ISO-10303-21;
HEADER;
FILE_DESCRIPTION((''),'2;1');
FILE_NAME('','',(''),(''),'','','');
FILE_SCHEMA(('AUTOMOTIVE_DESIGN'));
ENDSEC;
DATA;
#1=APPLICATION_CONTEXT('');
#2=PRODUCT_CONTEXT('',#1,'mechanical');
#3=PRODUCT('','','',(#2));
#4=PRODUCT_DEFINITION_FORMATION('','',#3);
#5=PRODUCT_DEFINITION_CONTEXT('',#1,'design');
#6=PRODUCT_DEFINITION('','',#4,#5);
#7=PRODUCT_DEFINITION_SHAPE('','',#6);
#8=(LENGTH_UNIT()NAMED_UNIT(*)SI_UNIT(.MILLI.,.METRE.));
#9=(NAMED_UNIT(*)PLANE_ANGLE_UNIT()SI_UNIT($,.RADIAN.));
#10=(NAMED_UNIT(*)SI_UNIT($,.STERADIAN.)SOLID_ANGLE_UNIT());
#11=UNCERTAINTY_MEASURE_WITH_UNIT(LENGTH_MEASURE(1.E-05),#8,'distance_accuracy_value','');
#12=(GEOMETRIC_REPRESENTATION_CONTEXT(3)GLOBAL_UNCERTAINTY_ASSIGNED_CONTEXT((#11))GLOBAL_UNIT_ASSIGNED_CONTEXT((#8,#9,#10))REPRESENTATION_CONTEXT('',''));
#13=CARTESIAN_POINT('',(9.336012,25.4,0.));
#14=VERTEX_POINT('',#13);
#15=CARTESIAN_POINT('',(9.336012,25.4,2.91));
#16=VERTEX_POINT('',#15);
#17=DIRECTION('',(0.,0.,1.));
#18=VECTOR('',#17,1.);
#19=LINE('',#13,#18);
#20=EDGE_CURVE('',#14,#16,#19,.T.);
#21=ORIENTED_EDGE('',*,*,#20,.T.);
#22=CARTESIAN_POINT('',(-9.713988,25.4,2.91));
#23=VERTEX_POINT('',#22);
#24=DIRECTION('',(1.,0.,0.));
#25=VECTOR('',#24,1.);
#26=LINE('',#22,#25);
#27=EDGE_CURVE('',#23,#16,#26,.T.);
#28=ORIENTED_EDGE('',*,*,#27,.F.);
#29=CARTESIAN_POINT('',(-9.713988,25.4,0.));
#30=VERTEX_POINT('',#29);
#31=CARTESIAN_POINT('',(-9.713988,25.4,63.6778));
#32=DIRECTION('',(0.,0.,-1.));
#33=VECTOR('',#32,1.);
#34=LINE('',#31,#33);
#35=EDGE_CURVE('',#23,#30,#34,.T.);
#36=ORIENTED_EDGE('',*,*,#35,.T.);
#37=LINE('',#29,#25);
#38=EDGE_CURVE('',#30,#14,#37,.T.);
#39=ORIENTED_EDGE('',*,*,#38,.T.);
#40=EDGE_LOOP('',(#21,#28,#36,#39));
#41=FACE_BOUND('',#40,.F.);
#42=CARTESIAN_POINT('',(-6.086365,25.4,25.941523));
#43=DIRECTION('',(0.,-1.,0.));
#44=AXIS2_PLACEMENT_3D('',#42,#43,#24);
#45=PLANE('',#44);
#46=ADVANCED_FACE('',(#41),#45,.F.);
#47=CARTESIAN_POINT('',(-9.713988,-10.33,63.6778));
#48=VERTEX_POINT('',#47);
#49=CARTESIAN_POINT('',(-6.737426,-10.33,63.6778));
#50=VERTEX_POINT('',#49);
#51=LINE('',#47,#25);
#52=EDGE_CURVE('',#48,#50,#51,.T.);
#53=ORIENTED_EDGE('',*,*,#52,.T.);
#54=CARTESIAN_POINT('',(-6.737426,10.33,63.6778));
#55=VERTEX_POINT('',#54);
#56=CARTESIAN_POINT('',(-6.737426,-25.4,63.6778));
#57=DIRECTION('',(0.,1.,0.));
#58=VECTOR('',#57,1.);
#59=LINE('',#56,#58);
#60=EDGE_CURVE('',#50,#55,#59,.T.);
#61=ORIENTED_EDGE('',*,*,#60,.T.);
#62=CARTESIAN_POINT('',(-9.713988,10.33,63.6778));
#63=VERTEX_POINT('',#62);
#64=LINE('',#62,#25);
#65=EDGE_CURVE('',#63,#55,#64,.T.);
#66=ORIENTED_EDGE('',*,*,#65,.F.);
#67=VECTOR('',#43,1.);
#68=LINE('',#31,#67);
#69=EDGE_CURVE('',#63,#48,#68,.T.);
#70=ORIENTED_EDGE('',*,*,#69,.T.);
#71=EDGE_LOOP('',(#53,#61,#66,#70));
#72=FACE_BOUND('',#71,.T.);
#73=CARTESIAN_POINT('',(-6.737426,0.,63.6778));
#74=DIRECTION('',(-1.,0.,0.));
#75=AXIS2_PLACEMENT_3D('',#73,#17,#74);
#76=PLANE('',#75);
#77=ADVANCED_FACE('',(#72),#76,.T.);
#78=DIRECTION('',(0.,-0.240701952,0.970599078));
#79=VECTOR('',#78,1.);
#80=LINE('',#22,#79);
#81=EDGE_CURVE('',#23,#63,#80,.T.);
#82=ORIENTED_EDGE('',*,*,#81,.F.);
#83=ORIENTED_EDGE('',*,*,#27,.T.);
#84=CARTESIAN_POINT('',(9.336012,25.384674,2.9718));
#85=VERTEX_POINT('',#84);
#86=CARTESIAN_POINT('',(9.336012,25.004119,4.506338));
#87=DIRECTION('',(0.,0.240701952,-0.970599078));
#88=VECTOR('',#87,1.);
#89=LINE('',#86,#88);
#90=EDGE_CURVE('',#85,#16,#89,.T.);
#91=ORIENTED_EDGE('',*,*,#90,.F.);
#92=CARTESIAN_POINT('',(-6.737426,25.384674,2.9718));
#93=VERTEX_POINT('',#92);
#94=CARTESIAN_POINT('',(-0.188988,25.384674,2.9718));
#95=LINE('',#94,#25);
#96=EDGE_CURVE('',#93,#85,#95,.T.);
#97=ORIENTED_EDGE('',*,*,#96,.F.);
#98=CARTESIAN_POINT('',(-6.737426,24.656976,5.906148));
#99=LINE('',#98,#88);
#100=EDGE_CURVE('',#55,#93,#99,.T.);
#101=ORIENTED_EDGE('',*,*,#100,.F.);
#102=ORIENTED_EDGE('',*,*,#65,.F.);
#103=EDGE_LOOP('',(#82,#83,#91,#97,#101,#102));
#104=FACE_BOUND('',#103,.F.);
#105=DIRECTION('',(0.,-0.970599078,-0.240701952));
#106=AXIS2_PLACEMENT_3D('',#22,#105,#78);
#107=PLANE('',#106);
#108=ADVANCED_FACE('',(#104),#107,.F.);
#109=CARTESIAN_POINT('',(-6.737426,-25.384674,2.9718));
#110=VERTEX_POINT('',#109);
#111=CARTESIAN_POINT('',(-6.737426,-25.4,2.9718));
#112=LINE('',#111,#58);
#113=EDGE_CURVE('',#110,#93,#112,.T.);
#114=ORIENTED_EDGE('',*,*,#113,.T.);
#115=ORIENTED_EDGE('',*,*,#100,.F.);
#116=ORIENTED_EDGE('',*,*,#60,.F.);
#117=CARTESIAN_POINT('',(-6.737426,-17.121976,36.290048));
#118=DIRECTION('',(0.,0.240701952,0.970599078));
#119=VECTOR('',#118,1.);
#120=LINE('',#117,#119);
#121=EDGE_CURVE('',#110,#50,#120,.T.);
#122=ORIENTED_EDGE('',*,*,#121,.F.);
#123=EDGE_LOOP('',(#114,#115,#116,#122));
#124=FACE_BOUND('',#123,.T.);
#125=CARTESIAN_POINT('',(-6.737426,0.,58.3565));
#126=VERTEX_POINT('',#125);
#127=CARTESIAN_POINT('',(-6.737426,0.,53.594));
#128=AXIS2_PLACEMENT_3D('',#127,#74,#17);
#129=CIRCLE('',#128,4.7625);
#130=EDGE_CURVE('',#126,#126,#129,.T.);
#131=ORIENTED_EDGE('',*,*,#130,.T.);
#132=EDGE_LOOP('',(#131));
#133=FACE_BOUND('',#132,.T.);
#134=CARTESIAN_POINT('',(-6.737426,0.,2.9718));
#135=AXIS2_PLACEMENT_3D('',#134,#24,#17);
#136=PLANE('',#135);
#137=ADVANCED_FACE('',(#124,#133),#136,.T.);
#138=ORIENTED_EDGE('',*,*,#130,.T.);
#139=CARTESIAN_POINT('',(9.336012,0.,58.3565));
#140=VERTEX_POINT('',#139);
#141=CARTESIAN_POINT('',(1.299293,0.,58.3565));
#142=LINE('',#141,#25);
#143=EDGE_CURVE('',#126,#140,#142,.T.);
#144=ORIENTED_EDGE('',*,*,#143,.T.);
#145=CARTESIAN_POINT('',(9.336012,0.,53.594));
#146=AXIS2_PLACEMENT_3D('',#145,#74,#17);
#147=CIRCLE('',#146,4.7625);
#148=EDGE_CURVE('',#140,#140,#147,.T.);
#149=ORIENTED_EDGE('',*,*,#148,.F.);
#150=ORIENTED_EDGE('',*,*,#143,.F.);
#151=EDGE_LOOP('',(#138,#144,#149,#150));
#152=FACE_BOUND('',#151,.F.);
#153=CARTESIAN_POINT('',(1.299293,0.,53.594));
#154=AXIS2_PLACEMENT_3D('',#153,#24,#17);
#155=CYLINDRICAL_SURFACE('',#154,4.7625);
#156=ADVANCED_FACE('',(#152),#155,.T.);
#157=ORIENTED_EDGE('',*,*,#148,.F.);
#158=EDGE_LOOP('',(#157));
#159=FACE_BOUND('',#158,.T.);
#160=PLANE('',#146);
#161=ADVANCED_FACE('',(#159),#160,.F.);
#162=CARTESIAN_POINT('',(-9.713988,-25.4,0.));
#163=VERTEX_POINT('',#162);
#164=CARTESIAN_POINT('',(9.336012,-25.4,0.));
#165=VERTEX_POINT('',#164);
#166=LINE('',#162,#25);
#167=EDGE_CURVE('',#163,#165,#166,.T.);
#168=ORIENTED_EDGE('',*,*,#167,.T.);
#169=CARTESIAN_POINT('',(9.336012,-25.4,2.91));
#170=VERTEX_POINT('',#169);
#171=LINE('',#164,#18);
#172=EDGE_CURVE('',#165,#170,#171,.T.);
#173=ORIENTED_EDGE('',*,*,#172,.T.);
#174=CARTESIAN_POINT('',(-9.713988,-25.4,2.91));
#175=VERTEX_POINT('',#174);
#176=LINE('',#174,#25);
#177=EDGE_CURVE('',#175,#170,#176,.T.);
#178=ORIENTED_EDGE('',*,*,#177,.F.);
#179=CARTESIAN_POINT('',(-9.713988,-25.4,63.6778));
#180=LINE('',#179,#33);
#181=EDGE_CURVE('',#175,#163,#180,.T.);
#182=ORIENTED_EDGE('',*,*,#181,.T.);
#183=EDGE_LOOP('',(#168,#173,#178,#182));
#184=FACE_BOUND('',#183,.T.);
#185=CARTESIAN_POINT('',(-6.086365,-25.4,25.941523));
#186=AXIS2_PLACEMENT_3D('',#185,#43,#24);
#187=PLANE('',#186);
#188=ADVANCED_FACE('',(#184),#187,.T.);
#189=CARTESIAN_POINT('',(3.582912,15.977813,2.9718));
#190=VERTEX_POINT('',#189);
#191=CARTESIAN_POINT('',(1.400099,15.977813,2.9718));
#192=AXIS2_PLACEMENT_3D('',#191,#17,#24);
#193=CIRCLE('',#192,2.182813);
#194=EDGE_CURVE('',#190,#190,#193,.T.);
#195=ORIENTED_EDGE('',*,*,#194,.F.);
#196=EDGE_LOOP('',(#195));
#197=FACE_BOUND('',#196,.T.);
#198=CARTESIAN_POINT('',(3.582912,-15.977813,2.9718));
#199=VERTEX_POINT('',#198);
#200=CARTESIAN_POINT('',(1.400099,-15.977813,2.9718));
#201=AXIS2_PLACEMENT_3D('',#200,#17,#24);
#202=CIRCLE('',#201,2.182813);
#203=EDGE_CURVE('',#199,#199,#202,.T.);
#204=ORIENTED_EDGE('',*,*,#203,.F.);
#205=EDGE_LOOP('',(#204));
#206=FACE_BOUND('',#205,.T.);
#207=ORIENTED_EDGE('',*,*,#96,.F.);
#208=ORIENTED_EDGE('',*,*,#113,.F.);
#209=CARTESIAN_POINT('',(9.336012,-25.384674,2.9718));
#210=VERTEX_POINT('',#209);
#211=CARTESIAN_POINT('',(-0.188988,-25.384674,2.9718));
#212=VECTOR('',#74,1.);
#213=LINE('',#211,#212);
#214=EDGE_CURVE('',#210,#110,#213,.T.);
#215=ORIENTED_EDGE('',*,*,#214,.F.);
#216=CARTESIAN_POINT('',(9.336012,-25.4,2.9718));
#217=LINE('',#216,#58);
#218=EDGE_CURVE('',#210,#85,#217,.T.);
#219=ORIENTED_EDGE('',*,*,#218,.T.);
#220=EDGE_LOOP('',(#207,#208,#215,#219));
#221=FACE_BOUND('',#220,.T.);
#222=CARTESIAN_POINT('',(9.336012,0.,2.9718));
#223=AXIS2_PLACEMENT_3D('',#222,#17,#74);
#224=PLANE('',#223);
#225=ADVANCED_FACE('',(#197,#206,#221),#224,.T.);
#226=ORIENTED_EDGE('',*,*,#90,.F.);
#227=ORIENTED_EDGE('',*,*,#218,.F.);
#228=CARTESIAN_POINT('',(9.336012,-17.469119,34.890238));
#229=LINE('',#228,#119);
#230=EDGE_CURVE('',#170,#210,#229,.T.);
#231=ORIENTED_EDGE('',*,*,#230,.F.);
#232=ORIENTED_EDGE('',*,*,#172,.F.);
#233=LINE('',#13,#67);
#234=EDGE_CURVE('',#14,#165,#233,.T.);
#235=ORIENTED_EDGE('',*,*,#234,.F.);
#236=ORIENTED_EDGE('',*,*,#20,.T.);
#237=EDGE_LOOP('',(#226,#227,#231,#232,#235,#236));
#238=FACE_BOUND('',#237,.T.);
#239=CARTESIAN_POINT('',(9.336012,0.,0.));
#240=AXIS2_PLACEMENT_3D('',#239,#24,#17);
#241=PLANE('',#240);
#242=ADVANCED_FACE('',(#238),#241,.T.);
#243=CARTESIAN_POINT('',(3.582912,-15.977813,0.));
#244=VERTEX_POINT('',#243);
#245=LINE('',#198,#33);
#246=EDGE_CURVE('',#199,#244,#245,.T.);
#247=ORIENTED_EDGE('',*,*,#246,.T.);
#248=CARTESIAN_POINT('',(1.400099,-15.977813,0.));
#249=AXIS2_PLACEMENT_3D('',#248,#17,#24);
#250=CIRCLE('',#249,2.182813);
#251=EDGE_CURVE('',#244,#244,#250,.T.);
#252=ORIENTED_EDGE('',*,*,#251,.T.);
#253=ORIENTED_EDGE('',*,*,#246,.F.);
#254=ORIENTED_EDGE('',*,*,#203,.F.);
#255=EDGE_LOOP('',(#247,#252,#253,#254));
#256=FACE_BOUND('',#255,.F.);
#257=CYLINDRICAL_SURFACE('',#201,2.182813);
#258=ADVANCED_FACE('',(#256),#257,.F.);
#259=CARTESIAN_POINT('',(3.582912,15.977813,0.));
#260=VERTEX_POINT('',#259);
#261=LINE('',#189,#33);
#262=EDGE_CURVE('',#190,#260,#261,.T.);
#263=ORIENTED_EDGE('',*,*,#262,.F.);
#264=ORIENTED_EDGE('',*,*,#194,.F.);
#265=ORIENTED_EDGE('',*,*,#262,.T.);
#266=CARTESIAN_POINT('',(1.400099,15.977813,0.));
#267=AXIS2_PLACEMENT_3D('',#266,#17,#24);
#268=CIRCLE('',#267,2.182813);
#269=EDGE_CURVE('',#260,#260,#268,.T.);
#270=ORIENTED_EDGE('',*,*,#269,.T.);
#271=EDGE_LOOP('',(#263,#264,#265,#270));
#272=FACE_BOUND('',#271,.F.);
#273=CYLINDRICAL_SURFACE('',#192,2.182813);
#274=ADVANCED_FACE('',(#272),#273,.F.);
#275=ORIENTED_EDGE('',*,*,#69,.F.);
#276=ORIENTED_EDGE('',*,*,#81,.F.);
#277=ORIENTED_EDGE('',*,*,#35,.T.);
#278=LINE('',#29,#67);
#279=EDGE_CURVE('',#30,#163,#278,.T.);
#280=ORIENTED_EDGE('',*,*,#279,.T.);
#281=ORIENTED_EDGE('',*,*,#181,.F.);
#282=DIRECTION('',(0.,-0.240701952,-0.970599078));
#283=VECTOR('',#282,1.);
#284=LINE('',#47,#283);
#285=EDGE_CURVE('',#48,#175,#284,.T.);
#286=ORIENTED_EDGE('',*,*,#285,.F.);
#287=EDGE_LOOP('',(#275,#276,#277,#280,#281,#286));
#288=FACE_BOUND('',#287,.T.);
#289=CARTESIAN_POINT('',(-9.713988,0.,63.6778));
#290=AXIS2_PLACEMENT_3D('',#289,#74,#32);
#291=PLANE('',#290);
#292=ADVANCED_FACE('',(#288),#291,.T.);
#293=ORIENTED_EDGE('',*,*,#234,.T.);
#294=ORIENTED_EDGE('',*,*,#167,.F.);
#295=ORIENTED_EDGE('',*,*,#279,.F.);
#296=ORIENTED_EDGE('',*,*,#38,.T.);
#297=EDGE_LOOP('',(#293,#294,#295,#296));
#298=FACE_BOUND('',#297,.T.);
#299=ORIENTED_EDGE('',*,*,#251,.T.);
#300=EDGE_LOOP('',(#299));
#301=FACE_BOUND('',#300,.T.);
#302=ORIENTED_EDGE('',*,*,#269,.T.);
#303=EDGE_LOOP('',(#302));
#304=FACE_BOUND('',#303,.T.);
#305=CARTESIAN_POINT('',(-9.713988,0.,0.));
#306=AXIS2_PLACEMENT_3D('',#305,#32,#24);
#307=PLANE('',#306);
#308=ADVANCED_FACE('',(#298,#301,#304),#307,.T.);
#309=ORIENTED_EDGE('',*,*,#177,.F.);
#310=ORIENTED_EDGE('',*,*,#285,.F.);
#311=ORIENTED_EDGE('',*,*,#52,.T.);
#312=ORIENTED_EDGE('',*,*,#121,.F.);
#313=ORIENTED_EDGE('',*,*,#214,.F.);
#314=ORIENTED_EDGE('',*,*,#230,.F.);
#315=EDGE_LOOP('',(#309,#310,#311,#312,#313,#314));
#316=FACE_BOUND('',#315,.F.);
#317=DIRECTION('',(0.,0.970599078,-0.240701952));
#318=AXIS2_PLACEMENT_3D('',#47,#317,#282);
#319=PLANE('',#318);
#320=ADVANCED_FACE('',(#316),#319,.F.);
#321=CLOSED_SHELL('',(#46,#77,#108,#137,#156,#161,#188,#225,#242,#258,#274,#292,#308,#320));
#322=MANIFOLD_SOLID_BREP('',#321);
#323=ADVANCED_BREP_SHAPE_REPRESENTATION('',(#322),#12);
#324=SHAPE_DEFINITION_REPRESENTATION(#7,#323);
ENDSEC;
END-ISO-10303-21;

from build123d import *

# Parameters (mm, degrees)
F1_DEPTH = 25.4
F0_W     = 16.073438
F0_H     = 4.7625
F3_R     = 2.182813
F4_DEPTH = 2.9718
F6_DEPTH = 19.051


with BuildPart() as f1:
    # F0 (on Front) → F1 (new body, symmetric)
    with BuildSketch(Plane.XZ):
        Polygon((-6.737426, 63.6778), (-9.713988, 63.6778), (-9.713988, 0), (9.336012, 0), (9.336012, 2.9718), (-6.737426, 2.9718), (-6.737426, 48.8315), (-6.737426, 53.594), (-6.737426, 58.3565), align=None)
    extrude(amount=F1_DEPTH, both=True)

    # F0 (on Front) → F2 (revolve)
    with BuildSketch(Plane.XZ):
        with Locations((1.299293, 55.97525)):
            Rectangle(F0_W, F0_H)
    revolve(axis=Axis((1.299293, 0, 53.594), (-1, 0, 0)))

    # F3 (on face) → F4 (cut, through all)
    with BuildSketch(Plane.XY.offset(2.9718)):
        with Locations((1.400099, 15.977813)):
            Circle(F3_R)
        with Locations((1.400099, -15.977813)):
            Circle(F3_R)
    extrude(amount=-F4_DEPTH, mode=Mode.SUBTRACT)

    # F5 (on face) → F6 (cut, through all)
    with BuildSketch(Plane(origin=(-9.713988, 0, 0), x_dir=(0, -1, 0), z_dir=(-1, 0, 0))):
        Polygon((25.4, 63.6778), (10.33, 63.6778), (25.4, 2.91), align=None)
        Polygon((-25.4, 2.91), (-10.33, 63.6778), (-25.4, 63.6778), align=None)
    extrude(amount=-F6_DEPTH, mode=Mode.SUBTRACT)


solid = f1.part
